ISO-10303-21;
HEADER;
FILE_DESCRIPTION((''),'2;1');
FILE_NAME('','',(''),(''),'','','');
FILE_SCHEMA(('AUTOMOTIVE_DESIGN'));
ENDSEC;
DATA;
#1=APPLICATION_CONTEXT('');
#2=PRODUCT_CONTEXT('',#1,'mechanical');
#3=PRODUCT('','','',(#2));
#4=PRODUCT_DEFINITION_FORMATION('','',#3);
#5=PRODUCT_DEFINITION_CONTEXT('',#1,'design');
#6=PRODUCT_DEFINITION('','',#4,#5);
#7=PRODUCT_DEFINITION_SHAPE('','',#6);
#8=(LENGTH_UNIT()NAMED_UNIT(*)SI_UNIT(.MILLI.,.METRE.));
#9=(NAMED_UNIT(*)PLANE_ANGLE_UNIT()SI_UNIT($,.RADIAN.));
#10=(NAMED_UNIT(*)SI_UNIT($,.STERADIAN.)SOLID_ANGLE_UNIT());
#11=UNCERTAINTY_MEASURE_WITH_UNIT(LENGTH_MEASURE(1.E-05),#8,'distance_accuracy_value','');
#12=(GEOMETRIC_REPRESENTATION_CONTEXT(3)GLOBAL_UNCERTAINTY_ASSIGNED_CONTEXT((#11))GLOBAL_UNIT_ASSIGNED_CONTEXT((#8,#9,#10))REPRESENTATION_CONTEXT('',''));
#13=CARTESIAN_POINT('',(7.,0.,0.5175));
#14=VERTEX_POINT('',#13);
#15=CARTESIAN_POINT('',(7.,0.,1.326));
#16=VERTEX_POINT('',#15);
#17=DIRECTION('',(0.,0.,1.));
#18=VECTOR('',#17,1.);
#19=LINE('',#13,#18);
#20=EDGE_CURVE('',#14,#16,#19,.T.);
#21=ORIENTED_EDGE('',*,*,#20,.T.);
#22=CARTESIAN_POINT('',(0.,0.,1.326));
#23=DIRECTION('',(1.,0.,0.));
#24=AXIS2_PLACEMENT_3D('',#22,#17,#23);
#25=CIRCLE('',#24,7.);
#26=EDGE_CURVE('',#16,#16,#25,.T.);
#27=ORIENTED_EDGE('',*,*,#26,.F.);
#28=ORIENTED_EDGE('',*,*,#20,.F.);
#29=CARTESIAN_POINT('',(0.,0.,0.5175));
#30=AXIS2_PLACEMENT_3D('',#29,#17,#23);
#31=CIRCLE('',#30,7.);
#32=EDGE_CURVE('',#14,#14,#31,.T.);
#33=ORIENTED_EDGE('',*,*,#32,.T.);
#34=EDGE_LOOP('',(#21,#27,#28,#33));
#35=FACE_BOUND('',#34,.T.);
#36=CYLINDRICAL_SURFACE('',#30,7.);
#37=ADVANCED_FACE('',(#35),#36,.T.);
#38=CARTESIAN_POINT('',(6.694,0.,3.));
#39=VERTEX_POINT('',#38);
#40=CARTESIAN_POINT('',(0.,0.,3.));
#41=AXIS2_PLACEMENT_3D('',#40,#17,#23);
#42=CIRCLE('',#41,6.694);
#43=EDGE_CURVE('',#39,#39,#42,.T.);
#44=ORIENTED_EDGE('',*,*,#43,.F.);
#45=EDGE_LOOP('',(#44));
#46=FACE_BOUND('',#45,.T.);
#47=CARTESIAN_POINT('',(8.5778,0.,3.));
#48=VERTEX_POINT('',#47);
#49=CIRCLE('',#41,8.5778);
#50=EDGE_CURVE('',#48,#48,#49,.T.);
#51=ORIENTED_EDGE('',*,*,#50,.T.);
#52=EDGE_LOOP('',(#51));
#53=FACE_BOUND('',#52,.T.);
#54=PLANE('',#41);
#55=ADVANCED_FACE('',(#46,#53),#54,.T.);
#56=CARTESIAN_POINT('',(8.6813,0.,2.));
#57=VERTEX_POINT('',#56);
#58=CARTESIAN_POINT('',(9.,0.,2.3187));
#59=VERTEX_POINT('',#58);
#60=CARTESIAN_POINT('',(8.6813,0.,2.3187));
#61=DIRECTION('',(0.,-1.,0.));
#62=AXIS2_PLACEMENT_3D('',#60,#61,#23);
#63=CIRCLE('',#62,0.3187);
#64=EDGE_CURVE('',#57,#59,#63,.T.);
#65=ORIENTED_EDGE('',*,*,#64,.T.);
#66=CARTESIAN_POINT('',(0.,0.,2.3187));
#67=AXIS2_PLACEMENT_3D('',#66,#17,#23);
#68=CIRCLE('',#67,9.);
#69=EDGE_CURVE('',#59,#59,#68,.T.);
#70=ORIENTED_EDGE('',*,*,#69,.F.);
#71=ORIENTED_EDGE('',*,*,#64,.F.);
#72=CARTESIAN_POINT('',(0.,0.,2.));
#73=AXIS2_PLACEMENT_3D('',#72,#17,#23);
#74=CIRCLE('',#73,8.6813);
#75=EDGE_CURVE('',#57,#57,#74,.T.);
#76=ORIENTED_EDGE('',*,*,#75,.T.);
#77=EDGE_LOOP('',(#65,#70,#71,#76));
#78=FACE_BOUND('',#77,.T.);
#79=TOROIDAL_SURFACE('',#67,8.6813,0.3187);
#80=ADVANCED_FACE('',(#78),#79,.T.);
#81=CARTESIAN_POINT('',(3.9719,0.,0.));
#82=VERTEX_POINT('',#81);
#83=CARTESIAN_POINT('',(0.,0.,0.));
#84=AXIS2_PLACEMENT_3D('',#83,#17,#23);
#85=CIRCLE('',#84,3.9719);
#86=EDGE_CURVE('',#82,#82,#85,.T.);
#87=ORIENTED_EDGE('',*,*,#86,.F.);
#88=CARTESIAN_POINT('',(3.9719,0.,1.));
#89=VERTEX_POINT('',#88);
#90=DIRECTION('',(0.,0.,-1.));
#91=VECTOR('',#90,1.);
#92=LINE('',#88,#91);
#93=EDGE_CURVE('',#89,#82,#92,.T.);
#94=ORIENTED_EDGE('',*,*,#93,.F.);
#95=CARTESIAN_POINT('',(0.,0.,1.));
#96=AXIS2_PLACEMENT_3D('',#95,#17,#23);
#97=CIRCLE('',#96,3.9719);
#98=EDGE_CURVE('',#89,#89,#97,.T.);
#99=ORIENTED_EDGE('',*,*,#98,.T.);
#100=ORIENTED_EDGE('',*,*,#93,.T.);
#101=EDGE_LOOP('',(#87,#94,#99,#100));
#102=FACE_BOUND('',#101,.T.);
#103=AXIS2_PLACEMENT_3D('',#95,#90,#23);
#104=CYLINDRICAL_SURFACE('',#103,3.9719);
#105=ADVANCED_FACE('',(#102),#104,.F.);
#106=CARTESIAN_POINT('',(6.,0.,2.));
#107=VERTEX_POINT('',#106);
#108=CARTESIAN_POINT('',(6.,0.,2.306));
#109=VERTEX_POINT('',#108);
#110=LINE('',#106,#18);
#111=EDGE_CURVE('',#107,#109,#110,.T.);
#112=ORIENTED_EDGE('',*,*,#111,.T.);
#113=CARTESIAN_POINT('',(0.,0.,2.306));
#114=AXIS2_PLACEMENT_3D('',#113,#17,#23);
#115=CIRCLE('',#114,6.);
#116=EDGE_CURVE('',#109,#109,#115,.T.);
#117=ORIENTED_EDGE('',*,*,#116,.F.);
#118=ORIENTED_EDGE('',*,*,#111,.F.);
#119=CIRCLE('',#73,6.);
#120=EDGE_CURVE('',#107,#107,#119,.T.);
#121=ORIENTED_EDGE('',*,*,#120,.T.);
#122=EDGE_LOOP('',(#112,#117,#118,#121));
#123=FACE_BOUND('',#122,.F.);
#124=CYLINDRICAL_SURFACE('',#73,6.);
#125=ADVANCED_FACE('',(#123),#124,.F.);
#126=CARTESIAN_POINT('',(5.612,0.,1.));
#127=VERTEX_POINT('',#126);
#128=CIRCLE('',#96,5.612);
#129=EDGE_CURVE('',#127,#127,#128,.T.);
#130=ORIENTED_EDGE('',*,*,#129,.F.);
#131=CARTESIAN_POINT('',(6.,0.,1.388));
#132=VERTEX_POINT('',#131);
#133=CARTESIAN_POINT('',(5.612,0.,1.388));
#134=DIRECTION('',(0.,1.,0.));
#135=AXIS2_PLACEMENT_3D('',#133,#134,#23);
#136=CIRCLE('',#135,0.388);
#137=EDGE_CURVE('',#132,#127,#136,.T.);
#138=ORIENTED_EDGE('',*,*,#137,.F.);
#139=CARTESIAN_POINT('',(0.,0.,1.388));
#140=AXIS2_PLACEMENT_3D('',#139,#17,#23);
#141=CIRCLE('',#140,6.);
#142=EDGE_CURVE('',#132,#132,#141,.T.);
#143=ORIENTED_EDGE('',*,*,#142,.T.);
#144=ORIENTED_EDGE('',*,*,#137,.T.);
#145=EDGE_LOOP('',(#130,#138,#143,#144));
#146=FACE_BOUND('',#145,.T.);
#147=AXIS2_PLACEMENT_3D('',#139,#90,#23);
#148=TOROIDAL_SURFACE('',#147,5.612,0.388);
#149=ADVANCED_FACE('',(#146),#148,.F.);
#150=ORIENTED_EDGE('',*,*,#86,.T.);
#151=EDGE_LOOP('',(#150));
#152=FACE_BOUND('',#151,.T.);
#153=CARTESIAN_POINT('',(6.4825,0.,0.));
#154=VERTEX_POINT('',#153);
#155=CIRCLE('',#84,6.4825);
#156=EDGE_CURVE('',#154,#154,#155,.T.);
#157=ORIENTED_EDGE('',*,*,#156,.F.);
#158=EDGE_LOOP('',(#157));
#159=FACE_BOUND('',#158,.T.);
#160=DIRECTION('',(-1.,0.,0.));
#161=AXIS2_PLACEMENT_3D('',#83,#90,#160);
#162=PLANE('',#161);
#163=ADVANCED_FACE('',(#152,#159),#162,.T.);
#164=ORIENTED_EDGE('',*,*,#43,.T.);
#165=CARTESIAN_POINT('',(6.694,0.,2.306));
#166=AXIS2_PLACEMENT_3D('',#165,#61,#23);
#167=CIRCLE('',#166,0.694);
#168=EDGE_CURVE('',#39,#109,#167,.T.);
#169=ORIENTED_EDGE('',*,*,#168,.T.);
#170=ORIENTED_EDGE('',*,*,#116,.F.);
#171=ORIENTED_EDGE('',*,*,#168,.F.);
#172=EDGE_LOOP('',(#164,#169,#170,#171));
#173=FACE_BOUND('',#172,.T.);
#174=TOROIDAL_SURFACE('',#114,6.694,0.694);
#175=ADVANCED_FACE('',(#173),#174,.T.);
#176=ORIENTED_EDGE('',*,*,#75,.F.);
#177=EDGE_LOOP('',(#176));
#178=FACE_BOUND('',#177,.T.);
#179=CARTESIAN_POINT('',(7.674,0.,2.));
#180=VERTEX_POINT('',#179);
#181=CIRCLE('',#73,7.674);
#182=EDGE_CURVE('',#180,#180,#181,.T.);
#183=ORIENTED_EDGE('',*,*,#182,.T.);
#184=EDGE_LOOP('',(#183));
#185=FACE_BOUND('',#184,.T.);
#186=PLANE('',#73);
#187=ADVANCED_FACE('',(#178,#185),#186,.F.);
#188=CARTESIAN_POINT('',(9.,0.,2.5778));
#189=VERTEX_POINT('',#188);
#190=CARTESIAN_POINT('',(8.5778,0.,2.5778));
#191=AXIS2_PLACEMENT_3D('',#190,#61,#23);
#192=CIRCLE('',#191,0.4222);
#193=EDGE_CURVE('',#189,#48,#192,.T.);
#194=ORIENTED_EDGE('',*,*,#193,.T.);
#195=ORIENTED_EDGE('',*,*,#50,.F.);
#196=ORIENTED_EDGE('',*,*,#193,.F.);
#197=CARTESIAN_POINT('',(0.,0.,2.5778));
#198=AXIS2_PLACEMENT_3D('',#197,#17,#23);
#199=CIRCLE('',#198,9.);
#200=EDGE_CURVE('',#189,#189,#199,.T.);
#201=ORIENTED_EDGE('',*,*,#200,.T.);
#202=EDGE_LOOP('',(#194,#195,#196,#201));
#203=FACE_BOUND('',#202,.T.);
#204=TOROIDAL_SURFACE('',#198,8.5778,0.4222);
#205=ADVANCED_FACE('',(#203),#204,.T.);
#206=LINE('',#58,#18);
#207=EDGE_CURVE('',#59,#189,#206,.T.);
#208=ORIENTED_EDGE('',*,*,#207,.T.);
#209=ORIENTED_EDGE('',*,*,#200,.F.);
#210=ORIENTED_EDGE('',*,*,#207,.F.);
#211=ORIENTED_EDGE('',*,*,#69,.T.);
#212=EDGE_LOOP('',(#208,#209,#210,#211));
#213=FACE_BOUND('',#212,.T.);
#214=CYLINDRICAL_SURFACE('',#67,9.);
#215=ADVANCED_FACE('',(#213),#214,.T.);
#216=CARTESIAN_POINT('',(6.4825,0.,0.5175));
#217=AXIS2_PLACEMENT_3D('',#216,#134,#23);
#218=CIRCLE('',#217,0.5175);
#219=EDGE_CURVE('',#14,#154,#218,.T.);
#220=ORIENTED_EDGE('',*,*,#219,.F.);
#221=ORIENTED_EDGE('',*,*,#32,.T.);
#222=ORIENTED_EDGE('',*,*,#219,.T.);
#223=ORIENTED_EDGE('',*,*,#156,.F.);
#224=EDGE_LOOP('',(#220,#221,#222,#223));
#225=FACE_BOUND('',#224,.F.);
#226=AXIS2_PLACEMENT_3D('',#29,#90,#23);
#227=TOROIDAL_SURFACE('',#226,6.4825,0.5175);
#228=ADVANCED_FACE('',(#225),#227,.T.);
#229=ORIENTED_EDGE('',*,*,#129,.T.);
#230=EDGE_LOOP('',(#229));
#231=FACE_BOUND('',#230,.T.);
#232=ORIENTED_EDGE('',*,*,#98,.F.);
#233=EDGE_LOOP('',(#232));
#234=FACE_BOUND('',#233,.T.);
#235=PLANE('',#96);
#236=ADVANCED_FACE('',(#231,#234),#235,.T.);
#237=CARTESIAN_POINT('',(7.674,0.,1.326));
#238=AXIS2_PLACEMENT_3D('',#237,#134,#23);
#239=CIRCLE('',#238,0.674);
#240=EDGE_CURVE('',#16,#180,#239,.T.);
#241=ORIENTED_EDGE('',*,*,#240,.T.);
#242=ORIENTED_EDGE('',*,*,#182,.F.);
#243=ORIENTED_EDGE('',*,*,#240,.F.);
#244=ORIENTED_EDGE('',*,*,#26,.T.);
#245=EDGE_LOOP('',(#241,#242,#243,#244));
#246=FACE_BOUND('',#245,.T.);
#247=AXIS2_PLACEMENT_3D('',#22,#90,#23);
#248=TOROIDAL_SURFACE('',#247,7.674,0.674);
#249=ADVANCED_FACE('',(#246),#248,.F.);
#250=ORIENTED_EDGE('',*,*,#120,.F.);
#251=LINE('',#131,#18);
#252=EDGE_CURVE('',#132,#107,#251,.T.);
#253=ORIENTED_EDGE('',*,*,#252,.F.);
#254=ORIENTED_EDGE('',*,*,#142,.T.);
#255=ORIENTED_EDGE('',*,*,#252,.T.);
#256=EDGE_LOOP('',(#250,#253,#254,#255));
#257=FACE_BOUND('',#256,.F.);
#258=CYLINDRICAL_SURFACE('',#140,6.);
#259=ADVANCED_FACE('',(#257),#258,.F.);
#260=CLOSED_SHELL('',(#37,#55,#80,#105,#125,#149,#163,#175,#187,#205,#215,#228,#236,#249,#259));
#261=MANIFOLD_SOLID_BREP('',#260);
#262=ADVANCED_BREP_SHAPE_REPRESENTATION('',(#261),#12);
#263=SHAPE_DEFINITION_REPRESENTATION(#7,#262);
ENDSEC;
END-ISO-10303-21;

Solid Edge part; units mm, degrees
sketch "Sketch1" plane through (0, 0, 0) normal (0, -1, 0) x (1, 0, 0)
  line L0 (5.612, 1) -> (3.9719, 1)
  line L1 (3.9719, 1) -> (3.9719, 0)
  line L2 (3.9719, 0) -> (6.4825, 0)
  arc A0 (7, 0.5175) -> (6.4825, 0) centre (6.4825, 0.5175) cw
  line L3 (7, 0.5175) -> (7, 1.326)
  arc A1 (7, 1.326) -> (7.674, 2) centre (7.674, 1.326) cw
  line L4 (7.674, 2) -> (8.6813, 2)
  arc A2 (8.6813, 2) -> (9, 2.3187) centre (8.6813, 2.3187) ccw
  line L5 (9, 2.3187) -> (9, 2.5778)
  arc A3 (9, 2.5778) -> (8.5778, 3) centre (8.5778, 2.5778) ccw
  line L6 (8.5778, 3) -> (6.694, 3)
  arc A4 (6.694, 3) -> (6, 2.306) centre (6.694, 2.306) ccw
  line L7 (6, 2) -> (6, 2.306)
  line L8 (6, 1.388) -> (6, 2)
  arc A5 (6, 1.388) -> (5.612, 1) centre (5.612, 1.388) cw
revolve "RevolvedProtrusion1" add sketch "Sketch1" angle 360 about axis through (0, 0, 0) along (0, 0, 1)
properties material "Acél"
